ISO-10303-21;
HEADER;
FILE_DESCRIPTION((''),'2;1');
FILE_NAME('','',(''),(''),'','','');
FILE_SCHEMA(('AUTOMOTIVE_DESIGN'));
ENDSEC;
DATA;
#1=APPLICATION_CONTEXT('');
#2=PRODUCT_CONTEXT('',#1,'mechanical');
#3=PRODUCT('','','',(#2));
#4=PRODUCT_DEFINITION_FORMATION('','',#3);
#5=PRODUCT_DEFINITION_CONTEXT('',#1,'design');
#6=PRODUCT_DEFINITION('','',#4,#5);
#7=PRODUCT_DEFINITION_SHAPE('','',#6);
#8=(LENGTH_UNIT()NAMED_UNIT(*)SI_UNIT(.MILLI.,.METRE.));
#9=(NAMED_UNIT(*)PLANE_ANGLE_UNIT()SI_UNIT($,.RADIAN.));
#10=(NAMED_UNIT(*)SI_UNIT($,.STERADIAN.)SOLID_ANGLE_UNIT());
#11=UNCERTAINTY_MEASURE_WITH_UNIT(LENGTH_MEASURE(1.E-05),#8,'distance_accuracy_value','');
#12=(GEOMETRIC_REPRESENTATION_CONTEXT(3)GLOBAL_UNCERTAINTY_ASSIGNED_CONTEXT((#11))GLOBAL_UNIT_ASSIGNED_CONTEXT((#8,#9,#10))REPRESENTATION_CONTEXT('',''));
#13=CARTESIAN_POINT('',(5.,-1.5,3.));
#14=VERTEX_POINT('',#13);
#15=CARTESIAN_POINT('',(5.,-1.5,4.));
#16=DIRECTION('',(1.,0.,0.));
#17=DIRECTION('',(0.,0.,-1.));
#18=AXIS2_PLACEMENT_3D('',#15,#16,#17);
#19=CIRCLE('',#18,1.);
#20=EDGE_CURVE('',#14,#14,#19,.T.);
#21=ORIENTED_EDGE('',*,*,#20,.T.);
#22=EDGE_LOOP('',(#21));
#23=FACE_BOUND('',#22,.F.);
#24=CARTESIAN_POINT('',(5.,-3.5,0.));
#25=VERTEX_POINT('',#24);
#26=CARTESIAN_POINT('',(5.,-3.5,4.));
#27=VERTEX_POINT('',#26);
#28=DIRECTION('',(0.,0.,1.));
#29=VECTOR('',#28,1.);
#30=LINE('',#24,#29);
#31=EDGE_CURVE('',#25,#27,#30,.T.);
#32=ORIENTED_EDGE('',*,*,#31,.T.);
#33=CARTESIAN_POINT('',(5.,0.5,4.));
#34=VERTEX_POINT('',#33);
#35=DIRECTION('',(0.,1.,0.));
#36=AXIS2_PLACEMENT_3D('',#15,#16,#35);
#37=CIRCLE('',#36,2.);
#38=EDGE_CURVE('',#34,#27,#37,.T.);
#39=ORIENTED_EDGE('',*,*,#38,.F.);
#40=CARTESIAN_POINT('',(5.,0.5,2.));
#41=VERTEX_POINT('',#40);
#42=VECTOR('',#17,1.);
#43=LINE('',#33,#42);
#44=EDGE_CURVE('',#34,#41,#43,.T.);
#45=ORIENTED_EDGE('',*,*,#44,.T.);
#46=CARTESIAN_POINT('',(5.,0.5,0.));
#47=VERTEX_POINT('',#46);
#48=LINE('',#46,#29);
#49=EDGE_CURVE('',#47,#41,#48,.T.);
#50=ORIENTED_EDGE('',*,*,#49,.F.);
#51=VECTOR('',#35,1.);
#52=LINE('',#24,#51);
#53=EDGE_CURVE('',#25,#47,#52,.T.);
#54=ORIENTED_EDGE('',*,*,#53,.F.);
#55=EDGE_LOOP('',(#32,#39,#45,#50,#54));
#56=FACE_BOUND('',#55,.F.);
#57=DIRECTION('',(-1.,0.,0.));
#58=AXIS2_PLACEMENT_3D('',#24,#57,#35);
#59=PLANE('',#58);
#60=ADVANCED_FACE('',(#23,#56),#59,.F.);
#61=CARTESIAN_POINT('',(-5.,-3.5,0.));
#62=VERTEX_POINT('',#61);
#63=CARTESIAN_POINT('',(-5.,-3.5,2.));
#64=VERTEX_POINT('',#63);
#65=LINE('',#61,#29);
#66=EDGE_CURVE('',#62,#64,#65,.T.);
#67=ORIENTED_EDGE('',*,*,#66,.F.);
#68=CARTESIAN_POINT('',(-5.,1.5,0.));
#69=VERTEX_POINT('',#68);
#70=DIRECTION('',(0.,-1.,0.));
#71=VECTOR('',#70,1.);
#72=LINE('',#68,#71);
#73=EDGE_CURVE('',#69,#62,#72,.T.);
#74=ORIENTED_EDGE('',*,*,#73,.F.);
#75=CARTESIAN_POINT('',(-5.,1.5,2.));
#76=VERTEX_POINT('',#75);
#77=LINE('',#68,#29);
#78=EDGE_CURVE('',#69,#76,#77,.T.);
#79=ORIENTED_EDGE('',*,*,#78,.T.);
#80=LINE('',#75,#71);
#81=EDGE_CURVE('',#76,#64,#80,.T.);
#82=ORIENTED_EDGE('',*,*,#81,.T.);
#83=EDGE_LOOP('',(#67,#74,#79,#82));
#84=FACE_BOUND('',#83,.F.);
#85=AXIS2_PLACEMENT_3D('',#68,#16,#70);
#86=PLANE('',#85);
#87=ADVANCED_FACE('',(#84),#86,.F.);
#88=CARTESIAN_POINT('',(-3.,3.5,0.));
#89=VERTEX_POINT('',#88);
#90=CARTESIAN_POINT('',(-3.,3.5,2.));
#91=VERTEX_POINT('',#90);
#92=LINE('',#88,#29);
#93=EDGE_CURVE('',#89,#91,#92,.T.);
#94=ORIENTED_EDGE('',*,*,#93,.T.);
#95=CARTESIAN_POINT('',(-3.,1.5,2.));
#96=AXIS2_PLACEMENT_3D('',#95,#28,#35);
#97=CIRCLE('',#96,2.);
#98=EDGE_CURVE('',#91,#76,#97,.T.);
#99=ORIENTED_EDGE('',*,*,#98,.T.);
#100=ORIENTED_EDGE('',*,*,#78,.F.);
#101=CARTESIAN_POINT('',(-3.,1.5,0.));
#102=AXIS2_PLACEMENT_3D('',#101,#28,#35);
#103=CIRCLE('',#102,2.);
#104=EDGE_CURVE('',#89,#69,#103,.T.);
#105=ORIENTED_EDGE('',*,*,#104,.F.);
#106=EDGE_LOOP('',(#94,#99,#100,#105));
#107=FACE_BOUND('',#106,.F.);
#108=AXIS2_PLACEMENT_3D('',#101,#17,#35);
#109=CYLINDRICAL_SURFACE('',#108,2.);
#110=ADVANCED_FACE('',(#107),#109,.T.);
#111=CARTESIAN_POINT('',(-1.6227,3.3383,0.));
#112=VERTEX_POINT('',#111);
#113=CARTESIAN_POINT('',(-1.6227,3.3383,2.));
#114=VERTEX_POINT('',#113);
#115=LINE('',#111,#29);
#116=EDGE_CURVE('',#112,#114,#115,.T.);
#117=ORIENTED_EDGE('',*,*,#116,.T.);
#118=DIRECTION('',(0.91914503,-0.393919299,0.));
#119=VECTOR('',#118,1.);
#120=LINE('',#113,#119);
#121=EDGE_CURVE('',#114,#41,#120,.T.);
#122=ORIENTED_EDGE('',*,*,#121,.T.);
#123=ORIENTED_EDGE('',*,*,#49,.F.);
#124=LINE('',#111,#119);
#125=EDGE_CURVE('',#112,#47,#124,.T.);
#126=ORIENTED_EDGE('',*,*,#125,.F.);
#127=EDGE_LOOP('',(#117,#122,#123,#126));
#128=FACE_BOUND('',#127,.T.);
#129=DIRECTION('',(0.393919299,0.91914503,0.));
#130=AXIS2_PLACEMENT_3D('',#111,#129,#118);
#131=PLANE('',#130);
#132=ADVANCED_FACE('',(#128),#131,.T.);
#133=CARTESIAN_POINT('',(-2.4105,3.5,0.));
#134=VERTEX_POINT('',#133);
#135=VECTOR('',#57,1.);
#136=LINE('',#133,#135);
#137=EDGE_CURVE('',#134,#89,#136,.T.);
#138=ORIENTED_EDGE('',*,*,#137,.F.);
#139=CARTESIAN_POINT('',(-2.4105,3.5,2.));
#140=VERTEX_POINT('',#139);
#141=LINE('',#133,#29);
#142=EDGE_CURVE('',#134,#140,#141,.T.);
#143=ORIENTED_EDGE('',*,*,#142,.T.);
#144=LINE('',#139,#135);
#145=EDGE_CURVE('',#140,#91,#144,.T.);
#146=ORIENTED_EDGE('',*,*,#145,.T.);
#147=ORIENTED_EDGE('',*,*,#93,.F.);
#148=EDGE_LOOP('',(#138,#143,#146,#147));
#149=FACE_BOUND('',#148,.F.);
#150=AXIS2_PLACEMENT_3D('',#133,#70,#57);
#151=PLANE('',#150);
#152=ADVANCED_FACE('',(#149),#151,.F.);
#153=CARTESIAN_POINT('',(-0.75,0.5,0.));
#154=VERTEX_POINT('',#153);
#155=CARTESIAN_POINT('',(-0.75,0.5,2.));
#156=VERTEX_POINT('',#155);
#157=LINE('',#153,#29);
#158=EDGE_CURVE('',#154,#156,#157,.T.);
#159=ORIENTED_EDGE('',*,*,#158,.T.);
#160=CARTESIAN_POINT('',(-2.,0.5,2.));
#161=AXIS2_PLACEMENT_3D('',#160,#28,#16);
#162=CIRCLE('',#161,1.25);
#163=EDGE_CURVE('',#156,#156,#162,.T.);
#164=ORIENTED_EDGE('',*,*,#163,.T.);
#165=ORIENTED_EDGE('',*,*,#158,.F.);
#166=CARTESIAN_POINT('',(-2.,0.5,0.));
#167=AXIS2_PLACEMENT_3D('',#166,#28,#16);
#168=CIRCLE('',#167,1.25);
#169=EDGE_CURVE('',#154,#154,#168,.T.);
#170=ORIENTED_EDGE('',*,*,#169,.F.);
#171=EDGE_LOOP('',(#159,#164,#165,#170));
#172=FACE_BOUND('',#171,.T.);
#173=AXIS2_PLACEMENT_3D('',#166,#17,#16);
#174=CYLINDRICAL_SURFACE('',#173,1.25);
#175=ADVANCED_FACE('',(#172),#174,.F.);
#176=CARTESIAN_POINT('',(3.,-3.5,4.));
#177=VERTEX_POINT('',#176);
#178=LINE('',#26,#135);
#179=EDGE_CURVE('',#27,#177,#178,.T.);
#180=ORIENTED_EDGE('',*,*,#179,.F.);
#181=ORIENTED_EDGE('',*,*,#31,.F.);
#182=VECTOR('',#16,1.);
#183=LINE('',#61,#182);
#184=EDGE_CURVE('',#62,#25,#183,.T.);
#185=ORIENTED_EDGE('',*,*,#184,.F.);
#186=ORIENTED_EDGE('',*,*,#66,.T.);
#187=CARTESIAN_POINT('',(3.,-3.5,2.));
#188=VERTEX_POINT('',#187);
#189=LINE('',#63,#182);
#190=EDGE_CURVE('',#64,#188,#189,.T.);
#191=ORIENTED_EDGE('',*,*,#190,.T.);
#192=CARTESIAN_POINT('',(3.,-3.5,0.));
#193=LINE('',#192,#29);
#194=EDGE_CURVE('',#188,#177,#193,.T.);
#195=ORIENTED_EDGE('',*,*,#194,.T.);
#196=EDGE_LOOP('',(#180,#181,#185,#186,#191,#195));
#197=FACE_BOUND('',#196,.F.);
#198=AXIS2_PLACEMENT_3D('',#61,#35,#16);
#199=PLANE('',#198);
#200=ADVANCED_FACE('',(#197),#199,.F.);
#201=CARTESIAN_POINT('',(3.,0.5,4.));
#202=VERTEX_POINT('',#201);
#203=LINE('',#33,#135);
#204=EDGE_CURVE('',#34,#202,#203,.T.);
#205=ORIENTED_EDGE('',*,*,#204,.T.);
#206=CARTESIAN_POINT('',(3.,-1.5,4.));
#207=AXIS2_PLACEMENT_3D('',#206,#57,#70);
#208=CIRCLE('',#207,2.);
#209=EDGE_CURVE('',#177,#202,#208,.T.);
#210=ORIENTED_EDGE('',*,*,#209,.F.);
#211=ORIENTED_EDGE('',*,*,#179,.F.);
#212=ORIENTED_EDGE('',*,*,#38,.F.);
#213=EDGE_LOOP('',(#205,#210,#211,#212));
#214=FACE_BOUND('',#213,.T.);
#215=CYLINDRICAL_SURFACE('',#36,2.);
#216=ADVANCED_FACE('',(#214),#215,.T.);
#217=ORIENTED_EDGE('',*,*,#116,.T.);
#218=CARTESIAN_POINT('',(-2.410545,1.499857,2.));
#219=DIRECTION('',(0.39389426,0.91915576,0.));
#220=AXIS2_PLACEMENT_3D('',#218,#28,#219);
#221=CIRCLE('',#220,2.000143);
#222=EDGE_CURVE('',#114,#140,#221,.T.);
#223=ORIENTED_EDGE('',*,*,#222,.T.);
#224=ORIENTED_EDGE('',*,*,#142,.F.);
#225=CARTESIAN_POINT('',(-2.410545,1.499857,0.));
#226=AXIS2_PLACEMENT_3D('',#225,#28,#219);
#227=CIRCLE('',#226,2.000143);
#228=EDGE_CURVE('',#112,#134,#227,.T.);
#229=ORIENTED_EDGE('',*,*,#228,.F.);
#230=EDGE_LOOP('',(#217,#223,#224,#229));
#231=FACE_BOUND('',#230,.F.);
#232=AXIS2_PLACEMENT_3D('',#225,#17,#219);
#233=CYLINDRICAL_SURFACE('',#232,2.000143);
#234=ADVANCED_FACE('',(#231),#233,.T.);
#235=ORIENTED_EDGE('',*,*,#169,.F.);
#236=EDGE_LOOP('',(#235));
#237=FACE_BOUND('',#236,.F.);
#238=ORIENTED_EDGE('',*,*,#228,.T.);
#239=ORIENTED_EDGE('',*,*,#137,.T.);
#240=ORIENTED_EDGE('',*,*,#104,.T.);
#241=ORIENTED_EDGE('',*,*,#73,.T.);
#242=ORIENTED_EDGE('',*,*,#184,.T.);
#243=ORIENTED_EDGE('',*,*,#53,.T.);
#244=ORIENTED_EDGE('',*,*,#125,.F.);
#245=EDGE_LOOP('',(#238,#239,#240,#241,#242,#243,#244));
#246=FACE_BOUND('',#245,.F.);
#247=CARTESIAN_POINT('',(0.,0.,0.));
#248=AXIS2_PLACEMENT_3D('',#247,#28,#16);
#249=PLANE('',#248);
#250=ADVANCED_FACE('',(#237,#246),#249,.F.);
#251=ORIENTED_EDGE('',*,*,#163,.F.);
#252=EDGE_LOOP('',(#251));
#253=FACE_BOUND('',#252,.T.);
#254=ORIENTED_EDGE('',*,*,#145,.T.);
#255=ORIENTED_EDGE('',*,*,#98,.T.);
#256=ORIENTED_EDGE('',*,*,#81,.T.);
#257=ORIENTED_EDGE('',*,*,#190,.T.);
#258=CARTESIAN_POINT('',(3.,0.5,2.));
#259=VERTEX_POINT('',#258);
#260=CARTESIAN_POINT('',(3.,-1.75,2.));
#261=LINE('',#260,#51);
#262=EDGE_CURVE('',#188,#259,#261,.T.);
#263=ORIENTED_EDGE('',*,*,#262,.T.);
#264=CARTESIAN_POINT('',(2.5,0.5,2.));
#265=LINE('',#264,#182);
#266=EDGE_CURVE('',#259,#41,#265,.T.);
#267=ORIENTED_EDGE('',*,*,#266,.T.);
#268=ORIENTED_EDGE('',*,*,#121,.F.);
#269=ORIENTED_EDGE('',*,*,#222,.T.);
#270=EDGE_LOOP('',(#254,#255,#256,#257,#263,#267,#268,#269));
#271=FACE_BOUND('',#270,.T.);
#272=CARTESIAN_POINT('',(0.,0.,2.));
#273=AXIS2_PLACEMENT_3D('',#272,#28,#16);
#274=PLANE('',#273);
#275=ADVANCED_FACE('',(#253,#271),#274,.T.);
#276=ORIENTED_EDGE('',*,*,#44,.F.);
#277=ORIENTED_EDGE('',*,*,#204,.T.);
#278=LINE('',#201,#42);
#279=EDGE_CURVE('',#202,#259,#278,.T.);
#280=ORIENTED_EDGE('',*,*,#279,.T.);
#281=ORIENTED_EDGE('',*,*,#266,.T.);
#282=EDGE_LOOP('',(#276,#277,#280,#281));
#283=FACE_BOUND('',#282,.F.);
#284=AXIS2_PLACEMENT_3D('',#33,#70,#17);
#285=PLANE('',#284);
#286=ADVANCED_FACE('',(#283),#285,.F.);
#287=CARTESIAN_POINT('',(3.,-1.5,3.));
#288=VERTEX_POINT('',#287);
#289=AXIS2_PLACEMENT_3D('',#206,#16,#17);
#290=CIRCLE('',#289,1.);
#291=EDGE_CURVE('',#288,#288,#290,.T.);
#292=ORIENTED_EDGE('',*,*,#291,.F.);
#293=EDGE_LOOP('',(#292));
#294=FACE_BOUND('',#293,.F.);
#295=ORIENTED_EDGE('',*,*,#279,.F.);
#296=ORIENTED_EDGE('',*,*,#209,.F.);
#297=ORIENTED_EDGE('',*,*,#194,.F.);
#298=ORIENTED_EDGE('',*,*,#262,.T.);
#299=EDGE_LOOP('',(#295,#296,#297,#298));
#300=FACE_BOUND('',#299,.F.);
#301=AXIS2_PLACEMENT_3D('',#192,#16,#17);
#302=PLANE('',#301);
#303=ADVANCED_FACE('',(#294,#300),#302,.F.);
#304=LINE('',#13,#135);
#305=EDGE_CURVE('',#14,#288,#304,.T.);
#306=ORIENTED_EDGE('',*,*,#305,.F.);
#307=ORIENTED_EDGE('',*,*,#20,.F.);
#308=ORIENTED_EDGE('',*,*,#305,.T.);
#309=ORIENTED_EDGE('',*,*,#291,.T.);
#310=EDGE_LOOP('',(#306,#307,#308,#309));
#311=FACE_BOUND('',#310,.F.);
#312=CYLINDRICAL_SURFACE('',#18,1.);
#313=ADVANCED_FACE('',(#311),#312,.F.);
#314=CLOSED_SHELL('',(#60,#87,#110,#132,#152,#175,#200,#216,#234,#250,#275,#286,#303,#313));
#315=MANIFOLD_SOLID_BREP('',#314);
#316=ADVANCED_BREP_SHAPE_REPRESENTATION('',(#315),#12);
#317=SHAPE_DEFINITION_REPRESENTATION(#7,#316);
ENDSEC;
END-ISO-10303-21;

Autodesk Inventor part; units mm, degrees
ref_plane "YZ Plane" through (0, 0, 0) normal (1, 0, 0) x (0, 1, 0)
ref_plane "XZ Plane" through (0, 0, 0) normal (0, 1, 0) x (-1, 0, 0)
ref_plane "XY Plane" through (0, 0, 0) normal (0, 0, 1) x (1, 0, 0)
sketch "Boceto1" plane through (0, 0, 0) normal (0, 0, 1) x (1, 0, 0)
  line L0 (-5, -3.5) -> (5, -3.5)
  line L1 (5, -3.5) -> (5, 0.5)
  line L2 (-2.4105, 3.5) -> (-3, 3.5)
  line L3 (-5, 1.5) -> (-5, -3.5)
  line L4 (-5, -3.5) -> (5, 3.5) construction
  line L5 (5, -3.5) -> (-5, 3.5) construction
  arc A0 (-3, 3.5) -> (-5, 1.5) centre (-3, 1.5) ccw
  line L6 (-1.6227, 3.3383) -> (5, 0.5)
  circle A1 centre (-2, 0.5) radius 1.25
  arc A2 (-1.6227, 3.3383) -> (-2.4105, 3.5) centre (-2.4105, 1.5) ccw
  point P0 (0, 0)
  point P1 (-2, 3.5)
  dimension "d0" = 10
  dimension "d1" = 7
  dimension "d2" = 2
  dimension "d3" = 7
  dimension "d4" = 3
  dimension "d5" = 2.5
  dimension "d6" = 3
  dimension "d7" = 4
  dimension "d10" = 2
extrude "Extrusión1" add sketch "Boceto1" along normal blind 2
sketch "Boceto2" plane through (5, -3.5, 0) normal (1, 0, 0) x (0, 0, -1)
  line L0 (0, 0) -> (-2, 0) projected
  line L1 (0, 0) -> (-4, 0)
  line L2 (-6, 2) -> (-6, 2)
  line L3 (-4, 4) -> (0, 4)
  line L4 (0, 4) -> (0, 0)
  circle A0 centre (-4, 2) radius 1
  arc A1 (-4, 4) -> (-6, 2) centre (-4, 2) ccw
  arc A2 (-6, 2) -> (-4, 0) centre (-4, 2) ccw
  point P0 (0, 3.5)
  point P1 (-6, 4)
  point P2 (-6, 0)
  dimension "d11" = 6
  dimension "d12" = 4
  dimension "d13" = 2
  dimension "d14" = 2
  dimension "d15" = 2
  dimension "d16" = 2
extrude "Extrusión2" add sketch "Boceto2" against normal blind 2
sketch "Boceto3" plane through (3, -3.5, 0) normal (-1, 0, 0) x (0, 0, -1)
  point P0 (0, 3.5)
properties part number "Lab2A01209499P15"
